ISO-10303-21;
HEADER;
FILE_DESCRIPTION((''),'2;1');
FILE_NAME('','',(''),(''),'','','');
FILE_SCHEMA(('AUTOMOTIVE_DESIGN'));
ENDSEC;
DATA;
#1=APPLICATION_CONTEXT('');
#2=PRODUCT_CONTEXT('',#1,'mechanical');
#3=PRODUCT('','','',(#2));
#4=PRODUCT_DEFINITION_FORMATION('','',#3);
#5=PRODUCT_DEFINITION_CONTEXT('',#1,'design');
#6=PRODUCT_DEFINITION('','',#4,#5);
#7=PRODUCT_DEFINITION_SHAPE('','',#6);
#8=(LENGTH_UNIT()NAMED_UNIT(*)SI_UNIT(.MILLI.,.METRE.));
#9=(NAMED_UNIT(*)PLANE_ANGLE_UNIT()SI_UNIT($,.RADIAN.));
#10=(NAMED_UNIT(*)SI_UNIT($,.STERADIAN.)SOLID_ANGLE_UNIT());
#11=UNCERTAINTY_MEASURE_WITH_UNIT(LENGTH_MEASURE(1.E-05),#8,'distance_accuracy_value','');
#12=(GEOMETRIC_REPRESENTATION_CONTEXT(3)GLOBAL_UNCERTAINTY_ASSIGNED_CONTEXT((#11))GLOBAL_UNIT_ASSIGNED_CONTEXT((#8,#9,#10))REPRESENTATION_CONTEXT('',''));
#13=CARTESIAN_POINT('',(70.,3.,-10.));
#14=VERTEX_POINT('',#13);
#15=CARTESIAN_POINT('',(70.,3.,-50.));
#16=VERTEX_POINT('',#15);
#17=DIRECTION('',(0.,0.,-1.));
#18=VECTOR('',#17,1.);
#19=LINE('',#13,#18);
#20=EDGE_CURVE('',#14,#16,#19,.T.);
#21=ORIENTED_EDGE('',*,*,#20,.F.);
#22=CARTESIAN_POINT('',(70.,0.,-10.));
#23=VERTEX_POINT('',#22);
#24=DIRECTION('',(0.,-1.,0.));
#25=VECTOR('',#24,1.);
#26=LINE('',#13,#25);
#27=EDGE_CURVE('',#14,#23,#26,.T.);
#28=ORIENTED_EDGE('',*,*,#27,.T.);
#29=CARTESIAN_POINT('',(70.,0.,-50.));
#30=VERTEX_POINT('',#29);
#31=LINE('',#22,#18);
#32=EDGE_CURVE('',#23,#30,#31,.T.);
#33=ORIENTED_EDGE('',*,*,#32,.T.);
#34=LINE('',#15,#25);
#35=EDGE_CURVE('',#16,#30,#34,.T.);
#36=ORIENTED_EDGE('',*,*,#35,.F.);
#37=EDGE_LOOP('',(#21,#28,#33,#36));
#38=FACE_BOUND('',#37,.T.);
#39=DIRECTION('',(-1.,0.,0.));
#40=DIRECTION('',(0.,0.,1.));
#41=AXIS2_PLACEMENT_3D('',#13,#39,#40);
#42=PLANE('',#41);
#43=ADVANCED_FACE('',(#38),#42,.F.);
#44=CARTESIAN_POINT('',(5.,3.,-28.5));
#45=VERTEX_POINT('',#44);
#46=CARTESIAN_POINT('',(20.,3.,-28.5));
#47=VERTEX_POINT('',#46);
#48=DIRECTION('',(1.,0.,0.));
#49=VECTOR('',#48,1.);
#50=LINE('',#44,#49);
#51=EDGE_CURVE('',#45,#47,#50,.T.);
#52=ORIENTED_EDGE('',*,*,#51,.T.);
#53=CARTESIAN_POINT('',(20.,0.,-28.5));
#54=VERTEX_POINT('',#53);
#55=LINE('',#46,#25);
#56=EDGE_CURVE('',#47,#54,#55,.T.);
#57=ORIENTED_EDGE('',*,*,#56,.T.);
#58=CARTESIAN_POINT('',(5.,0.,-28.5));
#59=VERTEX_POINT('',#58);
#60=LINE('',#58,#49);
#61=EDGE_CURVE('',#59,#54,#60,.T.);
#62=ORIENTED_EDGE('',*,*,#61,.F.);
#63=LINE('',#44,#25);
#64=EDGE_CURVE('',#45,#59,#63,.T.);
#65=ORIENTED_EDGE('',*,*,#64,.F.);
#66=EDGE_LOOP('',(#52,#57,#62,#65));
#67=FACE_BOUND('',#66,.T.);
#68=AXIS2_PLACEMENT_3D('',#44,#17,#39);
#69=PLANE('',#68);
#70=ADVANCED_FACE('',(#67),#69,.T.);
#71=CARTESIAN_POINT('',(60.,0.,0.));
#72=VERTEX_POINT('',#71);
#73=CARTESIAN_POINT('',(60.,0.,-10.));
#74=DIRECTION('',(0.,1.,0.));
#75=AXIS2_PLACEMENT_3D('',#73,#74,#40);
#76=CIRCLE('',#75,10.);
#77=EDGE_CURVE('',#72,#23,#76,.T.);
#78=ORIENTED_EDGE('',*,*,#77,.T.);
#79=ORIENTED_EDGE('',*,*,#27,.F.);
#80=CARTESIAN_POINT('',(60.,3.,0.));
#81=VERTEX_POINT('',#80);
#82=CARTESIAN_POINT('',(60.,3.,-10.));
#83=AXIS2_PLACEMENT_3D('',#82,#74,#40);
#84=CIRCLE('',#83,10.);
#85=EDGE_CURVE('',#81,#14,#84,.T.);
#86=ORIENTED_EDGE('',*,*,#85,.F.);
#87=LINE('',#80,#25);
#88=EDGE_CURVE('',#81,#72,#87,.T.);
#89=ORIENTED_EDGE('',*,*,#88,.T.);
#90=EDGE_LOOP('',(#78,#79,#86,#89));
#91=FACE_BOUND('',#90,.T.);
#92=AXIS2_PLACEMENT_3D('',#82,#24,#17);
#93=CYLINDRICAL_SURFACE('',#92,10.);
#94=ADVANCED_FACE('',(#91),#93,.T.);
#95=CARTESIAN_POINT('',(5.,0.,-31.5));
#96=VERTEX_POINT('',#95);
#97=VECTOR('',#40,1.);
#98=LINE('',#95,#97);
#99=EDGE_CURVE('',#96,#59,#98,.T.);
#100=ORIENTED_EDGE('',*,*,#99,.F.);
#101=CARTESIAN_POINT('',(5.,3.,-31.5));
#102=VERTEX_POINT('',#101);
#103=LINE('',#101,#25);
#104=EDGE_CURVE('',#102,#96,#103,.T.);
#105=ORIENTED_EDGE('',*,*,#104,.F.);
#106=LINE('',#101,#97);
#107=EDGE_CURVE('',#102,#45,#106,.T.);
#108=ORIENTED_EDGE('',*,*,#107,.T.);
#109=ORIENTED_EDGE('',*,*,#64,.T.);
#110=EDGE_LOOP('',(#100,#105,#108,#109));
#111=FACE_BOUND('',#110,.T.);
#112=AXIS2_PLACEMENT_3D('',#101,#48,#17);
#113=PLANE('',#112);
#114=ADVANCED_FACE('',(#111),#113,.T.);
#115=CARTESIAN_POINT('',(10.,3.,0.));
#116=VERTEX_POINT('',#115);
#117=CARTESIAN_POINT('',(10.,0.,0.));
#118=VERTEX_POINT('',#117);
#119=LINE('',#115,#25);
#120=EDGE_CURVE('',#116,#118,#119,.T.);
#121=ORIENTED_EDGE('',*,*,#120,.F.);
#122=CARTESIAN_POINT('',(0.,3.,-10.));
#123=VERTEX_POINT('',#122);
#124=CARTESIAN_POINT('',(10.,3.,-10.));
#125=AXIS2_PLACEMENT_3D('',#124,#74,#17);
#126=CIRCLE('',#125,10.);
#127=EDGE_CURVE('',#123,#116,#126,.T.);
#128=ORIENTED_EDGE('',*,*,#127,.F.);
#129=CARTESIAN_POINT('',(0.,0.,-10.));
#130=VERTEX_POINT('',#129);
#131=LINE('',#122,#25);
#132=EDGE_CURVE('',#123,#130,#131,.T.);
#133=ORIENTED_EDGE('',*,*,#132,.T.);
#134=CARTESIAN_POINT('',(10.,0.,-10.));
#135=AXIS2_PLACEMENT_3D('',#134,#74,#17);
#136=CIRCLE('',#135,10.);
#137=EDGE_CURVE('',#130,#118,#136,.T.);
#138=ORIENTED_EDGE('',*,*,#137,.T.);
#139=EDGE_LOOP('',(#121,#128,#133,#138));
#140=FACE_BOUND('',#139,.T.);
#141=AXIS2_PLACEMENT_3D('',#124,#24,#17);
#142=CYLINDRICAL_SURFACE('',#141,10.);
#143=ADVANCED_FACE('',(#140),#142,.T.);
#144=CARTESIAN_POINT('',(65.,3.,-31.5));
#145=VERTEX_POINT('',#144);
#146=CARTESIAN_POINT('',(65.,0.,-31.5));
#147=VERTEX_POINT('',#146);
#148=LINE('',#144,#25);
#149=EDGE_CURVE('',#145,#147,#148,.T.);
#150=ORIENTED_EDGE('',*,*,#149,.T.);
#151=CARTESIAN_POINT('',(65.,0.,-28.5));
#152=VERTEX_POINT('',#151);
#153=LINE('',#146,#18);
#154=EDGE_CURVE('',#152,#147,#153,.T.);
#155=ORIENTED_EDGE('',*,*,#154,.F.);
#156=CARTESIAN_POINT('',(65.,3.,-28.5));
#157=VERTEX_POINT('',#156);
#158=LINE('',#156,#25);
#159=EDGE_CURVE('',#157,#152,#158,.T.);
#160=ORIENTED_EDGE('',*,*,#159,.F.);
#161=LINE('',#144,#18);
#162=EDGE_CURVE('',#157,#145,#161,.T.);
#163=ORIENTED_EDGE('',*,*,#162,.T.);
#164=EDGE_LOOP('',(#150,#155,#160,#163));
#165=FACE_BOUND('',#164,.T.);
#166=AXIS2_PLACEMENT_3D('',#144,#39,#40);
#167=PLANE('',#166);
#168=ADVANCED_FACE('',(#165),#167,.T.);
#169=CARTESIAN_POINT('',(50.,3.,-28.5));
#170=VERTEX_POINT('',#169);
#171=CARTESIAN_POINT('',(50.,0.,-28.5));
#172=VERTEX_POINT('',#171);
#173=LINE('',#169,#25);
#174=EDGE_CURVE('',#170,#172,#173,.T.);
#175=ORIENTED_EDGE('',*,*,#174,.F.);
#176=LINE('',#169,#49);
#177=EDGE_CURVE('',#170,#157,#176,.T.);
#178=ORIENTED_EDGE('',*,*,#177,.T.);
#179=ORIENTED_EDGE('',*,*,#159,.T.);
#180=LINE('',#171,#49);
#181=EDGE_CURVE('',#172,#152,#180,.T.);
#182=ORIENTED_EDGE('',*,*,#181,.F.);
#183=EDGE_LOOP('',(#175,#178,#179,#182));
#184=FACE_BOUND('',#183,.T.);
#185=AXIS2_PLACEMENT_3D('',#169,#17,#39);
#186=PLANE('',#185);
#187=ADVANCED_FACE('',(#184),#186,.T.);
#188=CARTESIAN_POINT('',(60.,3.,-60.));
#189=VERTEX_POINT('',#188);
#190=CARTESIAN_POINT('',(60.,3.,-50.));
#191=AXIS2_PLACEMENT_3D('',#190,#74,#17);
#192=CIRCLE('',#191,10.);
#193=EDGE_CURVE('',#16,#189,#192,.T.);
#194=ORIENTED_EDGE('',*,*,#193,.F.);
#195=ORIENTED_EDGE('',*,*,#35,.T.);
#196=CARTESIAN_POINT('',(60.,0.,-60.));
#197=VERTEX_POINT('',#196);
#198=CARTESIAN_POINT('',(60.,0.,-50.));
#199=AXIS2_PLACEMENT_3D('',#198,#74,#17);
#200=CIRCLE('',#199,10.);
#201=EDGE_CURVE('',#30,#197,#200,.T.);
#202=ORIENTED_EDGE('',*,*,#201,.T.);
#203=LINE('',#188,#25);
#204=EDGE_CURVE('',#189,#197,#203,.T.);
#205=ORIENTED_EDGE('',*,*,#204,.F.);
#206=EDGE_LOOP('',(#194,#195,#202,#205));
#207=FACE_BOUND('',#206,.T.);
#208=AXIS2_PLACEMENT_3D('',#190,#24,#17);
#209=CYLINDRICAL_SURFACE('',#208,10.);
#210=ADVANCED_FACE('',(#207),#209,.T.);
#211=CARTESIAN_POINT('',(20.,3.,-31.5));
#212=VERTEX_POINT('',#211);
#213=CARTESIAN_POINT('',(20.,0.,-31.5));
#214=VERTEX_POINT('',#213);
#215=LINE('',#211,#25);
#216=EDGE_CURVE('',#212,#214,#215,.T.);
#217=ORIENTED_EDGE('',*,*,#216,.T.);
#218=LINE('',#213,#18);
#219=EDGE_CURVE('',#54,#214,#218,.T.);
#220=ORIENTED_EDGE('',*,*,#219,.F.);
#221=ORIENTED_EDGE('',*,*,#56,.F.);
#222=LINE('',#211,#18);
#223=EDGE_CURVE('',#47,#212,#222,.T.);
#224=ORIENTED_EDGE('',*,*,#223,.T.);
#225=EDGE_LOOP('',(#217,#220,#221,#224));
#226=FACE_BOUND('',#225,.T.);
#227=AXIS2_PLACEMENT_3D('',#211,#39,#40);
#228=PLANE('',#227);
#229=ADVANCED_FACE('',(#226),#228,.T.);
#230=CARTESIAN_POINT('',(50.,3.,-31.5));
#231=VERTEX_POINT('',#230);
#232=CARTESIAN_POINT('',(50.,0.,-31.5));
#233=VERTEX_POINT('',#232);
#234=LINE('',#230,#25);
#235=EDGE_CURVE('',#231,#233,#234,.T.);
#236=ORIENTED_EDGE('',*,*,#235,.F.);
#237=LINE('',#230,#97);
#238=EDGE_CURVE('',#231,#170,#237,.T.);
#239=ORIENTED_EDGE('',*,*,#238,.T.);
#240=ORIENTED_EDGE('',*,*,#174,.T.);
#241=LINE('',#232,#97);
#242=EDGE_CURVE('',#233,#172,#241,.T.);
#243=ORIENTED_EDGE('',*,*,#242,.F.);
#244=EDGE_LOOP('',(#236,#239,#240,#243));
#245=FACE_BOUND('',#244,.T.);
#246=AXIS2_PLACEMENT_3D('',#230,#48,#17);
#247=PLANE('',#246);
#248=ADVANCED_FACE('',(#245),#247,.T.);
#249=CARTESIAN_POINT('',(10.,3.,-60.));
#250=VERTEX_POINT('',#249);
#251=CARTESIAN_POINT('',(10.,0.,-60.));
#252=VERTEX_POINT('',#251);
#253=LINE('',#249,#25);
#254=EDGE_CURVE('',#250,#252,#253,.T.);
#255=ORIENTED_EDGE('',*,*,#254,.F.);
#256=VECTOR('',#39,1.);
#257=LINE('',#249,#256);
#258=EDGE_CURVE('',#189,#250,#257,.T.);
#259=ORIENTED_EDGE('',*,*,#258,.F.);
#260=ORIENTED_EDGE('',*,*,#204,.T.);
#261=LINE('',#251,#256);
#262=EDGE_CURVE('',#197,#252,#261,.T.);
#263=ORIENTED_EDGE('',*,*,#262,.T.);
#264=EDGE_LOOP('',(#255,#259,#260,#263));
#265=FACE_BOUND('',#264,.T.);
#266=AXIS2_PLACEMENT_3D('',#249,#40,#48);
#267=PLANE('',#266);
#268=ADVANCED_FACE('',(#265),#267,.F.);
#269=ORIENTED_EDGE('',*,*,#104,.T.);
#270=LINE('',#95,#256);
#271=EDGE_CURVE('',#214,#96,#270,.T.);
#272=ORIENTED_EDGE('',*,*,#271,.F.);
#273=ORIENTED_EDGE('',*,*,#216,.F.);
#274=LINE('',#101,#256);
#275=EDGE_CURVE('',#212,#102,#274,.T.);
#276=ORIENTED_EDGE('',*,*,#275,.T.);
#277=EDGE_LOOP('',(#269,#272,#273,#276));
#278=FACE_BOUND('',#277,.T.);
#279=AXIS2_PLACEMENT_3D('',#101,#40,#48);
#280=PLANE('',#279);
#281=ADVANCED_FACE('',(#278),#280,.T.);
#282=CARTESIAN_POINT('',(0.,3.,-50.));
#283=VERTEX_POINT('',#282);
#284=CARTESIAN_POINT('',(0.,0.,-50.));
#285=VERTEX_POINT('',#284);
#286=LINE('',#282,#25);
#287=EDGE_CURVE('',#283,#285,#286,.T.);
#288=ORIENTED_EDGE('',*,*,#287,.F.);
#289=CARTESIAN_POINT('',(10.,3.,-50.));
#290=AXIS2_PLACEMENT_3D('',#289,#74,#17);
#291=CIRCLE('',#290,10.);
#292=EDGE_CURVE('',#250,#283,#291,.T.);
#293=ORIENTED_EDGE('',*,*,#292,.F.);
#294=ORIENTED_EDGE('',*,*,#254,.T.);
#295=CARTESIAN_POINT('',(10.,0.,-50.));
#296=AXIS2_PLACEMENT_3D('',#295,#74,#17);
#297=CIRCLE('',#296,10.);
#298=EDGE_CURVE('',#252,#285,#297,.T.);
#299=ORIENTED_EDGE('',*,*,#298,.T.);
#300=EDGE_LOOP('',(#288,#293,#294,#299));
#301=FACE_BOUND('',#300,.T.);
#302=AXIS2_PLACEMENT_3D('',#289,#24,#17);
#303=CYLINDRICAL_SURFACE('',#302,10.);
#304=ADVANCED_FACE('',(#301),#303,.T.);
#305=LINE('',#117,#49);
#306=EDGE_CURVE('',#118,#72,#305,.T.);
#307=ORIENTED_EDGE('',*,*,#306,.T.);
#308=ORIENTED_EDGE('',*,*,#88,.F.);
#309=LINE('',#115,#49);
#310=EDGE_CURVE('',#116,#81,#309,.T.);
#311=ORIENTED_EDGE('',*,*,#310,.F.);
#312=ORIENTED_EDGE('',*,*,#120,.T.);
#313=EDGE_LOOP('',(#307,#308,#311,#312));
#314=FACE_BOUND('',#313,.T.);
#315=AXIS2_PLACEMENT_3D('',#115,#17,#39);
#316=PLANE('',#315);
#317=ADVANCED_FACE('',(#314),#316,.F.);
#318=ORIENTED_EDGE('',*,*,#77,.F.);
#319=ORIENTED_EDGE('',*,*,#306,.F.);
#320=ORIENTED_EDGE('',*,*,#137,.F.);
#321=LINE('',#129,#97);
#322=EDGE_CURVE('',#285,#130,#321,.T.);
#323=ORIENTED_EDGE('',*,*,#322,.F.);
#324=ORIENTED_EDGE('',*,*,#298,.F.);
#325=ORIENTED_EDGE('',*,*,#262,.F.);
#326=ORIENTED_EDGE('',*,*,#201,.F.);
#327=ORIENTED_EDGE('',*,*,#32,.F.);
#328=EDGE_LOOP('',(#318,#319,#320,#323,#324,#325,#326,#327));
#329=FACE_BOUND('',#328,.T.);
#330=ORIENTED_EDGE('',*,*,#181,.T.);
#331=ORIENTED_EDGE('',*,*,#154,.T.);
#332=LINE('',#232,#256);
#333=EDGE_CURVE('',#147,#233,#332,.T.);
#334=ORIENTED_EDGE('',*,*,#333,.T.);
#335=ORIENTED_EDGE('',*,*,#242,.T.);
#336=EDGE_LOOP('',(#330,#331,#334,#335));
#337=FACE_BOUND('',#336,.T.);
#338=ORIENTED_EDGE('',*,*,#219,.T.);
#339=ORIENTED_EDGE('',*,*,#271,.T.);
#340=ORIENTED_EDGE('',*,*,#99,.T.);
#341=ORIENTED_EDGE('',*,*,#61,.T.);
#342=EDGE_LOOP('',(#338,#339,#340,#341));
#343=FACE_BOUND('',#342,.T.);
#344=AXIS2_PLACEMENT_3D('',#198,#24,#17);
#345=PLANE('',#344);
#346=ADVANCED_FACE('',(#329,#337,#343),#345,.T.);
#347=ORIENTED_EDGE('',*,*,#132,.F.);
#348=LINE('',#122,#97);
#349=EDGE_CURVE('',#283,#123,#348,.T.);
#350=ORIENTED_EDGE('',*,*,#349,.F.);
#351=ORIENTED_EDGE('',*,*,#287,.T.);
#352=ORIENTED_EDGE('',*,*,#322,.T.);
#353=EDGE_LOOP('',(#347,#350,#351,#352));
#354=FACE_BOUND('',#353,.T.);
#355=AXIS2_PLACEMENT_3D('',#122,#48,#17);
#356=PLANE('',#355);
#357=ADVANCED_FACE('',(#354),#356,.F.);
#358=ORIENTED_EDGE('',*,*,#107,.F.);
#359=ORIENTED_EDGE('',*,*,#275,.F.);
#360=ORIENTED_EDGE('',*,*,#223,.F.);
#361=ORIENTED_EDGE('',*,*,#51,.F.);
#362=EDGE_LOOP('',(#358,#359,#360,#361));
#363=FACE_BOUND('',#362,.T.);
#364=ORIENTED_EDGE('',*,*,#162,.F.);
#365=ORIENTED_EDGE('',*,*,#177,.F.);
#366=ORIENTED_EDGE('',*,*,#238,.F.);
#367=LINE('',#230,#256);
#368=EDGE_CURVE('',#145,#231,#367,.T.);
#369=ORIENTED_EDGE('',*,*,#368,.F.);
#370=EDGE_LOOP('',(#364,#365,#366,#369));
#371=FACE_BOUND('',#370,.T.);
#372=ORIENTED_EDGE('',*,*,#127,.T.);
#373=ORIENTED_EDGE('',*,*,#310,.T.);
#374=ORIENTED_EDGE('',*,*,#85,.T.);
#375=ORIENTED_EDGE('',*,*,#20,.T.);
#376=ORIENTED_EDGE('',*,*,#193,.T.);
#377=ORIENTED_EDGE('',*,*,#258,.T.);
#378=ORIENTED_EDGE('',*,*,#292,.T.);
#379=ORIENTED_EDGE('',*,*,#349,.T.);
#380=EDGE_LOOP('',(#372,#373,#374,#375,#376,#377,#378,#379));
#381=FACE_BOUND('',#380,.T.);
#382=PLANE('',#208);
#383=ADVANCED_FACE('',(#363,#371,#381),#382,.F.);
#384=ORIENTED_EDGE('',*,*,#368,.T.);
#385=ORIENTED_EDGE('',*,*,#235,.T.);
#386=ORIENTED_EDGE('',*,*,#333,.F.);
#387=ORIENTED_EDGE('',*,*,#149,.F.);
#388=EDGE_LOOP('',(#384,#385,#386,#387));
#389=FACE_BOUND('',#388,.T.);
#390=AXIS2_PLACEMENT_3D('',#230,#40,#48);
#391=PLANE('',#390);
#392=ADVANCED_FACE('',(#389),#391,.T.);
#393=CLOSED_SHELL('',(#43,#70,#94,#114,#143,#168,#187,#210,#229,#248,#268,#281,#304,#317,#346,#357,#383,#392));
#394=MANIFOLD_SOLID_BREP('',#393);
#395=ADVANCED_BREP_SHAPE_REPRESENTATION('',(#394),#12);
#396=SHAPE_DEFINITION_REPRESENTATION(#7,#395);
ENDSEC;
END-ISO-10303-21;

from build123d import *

# Parameters (mm, degrees)
SKETCH1_W           = 15
SKETCH1_H           = 3
BOSS_EXTRUDE1_DEPTH = 3


with BuildPart() as part:
    # Sketch1 → Boss-Extrude1 (new body)
    with BuildSketch(Plane(origin=(0, 0, 0), x_dir=(1, 0, 0), z_dir=(0, 1, 0))):
        with BuildLine():
            Line((10, 0), (60, 0))
            ThreePointArc((60, 0), (67.071067812, 2.928932188), (70, 10))
            Line((70, 10), (70, 50))
            ThreePointArc((70, 50), (67.071067812, 57.071067812), (60, 60))
            Line((60, 60), (10, 60))
            ThreePointArc((10, 60), (2.928932188, 57.071067812), (0, 50))
            Line((0, 50), (0, 10))
            ThreePointArc((0, 10), (2.928932188, 2.928932188), (10, 0))
        make_face()
        with Locations((12.5, 30)):
            Rectangle(SKETCH1_W, SKETCH1_H, mode=Mode.SUBTRACT)
        with Locations((57.5, 30)):
            Rectangle(SKETCH1_W, SKETCH1_H, mode=Mode.SUBTRACT)
    extrude(amount=BOSS_EXTRUDE1_DEPTH)


solid = part.part
